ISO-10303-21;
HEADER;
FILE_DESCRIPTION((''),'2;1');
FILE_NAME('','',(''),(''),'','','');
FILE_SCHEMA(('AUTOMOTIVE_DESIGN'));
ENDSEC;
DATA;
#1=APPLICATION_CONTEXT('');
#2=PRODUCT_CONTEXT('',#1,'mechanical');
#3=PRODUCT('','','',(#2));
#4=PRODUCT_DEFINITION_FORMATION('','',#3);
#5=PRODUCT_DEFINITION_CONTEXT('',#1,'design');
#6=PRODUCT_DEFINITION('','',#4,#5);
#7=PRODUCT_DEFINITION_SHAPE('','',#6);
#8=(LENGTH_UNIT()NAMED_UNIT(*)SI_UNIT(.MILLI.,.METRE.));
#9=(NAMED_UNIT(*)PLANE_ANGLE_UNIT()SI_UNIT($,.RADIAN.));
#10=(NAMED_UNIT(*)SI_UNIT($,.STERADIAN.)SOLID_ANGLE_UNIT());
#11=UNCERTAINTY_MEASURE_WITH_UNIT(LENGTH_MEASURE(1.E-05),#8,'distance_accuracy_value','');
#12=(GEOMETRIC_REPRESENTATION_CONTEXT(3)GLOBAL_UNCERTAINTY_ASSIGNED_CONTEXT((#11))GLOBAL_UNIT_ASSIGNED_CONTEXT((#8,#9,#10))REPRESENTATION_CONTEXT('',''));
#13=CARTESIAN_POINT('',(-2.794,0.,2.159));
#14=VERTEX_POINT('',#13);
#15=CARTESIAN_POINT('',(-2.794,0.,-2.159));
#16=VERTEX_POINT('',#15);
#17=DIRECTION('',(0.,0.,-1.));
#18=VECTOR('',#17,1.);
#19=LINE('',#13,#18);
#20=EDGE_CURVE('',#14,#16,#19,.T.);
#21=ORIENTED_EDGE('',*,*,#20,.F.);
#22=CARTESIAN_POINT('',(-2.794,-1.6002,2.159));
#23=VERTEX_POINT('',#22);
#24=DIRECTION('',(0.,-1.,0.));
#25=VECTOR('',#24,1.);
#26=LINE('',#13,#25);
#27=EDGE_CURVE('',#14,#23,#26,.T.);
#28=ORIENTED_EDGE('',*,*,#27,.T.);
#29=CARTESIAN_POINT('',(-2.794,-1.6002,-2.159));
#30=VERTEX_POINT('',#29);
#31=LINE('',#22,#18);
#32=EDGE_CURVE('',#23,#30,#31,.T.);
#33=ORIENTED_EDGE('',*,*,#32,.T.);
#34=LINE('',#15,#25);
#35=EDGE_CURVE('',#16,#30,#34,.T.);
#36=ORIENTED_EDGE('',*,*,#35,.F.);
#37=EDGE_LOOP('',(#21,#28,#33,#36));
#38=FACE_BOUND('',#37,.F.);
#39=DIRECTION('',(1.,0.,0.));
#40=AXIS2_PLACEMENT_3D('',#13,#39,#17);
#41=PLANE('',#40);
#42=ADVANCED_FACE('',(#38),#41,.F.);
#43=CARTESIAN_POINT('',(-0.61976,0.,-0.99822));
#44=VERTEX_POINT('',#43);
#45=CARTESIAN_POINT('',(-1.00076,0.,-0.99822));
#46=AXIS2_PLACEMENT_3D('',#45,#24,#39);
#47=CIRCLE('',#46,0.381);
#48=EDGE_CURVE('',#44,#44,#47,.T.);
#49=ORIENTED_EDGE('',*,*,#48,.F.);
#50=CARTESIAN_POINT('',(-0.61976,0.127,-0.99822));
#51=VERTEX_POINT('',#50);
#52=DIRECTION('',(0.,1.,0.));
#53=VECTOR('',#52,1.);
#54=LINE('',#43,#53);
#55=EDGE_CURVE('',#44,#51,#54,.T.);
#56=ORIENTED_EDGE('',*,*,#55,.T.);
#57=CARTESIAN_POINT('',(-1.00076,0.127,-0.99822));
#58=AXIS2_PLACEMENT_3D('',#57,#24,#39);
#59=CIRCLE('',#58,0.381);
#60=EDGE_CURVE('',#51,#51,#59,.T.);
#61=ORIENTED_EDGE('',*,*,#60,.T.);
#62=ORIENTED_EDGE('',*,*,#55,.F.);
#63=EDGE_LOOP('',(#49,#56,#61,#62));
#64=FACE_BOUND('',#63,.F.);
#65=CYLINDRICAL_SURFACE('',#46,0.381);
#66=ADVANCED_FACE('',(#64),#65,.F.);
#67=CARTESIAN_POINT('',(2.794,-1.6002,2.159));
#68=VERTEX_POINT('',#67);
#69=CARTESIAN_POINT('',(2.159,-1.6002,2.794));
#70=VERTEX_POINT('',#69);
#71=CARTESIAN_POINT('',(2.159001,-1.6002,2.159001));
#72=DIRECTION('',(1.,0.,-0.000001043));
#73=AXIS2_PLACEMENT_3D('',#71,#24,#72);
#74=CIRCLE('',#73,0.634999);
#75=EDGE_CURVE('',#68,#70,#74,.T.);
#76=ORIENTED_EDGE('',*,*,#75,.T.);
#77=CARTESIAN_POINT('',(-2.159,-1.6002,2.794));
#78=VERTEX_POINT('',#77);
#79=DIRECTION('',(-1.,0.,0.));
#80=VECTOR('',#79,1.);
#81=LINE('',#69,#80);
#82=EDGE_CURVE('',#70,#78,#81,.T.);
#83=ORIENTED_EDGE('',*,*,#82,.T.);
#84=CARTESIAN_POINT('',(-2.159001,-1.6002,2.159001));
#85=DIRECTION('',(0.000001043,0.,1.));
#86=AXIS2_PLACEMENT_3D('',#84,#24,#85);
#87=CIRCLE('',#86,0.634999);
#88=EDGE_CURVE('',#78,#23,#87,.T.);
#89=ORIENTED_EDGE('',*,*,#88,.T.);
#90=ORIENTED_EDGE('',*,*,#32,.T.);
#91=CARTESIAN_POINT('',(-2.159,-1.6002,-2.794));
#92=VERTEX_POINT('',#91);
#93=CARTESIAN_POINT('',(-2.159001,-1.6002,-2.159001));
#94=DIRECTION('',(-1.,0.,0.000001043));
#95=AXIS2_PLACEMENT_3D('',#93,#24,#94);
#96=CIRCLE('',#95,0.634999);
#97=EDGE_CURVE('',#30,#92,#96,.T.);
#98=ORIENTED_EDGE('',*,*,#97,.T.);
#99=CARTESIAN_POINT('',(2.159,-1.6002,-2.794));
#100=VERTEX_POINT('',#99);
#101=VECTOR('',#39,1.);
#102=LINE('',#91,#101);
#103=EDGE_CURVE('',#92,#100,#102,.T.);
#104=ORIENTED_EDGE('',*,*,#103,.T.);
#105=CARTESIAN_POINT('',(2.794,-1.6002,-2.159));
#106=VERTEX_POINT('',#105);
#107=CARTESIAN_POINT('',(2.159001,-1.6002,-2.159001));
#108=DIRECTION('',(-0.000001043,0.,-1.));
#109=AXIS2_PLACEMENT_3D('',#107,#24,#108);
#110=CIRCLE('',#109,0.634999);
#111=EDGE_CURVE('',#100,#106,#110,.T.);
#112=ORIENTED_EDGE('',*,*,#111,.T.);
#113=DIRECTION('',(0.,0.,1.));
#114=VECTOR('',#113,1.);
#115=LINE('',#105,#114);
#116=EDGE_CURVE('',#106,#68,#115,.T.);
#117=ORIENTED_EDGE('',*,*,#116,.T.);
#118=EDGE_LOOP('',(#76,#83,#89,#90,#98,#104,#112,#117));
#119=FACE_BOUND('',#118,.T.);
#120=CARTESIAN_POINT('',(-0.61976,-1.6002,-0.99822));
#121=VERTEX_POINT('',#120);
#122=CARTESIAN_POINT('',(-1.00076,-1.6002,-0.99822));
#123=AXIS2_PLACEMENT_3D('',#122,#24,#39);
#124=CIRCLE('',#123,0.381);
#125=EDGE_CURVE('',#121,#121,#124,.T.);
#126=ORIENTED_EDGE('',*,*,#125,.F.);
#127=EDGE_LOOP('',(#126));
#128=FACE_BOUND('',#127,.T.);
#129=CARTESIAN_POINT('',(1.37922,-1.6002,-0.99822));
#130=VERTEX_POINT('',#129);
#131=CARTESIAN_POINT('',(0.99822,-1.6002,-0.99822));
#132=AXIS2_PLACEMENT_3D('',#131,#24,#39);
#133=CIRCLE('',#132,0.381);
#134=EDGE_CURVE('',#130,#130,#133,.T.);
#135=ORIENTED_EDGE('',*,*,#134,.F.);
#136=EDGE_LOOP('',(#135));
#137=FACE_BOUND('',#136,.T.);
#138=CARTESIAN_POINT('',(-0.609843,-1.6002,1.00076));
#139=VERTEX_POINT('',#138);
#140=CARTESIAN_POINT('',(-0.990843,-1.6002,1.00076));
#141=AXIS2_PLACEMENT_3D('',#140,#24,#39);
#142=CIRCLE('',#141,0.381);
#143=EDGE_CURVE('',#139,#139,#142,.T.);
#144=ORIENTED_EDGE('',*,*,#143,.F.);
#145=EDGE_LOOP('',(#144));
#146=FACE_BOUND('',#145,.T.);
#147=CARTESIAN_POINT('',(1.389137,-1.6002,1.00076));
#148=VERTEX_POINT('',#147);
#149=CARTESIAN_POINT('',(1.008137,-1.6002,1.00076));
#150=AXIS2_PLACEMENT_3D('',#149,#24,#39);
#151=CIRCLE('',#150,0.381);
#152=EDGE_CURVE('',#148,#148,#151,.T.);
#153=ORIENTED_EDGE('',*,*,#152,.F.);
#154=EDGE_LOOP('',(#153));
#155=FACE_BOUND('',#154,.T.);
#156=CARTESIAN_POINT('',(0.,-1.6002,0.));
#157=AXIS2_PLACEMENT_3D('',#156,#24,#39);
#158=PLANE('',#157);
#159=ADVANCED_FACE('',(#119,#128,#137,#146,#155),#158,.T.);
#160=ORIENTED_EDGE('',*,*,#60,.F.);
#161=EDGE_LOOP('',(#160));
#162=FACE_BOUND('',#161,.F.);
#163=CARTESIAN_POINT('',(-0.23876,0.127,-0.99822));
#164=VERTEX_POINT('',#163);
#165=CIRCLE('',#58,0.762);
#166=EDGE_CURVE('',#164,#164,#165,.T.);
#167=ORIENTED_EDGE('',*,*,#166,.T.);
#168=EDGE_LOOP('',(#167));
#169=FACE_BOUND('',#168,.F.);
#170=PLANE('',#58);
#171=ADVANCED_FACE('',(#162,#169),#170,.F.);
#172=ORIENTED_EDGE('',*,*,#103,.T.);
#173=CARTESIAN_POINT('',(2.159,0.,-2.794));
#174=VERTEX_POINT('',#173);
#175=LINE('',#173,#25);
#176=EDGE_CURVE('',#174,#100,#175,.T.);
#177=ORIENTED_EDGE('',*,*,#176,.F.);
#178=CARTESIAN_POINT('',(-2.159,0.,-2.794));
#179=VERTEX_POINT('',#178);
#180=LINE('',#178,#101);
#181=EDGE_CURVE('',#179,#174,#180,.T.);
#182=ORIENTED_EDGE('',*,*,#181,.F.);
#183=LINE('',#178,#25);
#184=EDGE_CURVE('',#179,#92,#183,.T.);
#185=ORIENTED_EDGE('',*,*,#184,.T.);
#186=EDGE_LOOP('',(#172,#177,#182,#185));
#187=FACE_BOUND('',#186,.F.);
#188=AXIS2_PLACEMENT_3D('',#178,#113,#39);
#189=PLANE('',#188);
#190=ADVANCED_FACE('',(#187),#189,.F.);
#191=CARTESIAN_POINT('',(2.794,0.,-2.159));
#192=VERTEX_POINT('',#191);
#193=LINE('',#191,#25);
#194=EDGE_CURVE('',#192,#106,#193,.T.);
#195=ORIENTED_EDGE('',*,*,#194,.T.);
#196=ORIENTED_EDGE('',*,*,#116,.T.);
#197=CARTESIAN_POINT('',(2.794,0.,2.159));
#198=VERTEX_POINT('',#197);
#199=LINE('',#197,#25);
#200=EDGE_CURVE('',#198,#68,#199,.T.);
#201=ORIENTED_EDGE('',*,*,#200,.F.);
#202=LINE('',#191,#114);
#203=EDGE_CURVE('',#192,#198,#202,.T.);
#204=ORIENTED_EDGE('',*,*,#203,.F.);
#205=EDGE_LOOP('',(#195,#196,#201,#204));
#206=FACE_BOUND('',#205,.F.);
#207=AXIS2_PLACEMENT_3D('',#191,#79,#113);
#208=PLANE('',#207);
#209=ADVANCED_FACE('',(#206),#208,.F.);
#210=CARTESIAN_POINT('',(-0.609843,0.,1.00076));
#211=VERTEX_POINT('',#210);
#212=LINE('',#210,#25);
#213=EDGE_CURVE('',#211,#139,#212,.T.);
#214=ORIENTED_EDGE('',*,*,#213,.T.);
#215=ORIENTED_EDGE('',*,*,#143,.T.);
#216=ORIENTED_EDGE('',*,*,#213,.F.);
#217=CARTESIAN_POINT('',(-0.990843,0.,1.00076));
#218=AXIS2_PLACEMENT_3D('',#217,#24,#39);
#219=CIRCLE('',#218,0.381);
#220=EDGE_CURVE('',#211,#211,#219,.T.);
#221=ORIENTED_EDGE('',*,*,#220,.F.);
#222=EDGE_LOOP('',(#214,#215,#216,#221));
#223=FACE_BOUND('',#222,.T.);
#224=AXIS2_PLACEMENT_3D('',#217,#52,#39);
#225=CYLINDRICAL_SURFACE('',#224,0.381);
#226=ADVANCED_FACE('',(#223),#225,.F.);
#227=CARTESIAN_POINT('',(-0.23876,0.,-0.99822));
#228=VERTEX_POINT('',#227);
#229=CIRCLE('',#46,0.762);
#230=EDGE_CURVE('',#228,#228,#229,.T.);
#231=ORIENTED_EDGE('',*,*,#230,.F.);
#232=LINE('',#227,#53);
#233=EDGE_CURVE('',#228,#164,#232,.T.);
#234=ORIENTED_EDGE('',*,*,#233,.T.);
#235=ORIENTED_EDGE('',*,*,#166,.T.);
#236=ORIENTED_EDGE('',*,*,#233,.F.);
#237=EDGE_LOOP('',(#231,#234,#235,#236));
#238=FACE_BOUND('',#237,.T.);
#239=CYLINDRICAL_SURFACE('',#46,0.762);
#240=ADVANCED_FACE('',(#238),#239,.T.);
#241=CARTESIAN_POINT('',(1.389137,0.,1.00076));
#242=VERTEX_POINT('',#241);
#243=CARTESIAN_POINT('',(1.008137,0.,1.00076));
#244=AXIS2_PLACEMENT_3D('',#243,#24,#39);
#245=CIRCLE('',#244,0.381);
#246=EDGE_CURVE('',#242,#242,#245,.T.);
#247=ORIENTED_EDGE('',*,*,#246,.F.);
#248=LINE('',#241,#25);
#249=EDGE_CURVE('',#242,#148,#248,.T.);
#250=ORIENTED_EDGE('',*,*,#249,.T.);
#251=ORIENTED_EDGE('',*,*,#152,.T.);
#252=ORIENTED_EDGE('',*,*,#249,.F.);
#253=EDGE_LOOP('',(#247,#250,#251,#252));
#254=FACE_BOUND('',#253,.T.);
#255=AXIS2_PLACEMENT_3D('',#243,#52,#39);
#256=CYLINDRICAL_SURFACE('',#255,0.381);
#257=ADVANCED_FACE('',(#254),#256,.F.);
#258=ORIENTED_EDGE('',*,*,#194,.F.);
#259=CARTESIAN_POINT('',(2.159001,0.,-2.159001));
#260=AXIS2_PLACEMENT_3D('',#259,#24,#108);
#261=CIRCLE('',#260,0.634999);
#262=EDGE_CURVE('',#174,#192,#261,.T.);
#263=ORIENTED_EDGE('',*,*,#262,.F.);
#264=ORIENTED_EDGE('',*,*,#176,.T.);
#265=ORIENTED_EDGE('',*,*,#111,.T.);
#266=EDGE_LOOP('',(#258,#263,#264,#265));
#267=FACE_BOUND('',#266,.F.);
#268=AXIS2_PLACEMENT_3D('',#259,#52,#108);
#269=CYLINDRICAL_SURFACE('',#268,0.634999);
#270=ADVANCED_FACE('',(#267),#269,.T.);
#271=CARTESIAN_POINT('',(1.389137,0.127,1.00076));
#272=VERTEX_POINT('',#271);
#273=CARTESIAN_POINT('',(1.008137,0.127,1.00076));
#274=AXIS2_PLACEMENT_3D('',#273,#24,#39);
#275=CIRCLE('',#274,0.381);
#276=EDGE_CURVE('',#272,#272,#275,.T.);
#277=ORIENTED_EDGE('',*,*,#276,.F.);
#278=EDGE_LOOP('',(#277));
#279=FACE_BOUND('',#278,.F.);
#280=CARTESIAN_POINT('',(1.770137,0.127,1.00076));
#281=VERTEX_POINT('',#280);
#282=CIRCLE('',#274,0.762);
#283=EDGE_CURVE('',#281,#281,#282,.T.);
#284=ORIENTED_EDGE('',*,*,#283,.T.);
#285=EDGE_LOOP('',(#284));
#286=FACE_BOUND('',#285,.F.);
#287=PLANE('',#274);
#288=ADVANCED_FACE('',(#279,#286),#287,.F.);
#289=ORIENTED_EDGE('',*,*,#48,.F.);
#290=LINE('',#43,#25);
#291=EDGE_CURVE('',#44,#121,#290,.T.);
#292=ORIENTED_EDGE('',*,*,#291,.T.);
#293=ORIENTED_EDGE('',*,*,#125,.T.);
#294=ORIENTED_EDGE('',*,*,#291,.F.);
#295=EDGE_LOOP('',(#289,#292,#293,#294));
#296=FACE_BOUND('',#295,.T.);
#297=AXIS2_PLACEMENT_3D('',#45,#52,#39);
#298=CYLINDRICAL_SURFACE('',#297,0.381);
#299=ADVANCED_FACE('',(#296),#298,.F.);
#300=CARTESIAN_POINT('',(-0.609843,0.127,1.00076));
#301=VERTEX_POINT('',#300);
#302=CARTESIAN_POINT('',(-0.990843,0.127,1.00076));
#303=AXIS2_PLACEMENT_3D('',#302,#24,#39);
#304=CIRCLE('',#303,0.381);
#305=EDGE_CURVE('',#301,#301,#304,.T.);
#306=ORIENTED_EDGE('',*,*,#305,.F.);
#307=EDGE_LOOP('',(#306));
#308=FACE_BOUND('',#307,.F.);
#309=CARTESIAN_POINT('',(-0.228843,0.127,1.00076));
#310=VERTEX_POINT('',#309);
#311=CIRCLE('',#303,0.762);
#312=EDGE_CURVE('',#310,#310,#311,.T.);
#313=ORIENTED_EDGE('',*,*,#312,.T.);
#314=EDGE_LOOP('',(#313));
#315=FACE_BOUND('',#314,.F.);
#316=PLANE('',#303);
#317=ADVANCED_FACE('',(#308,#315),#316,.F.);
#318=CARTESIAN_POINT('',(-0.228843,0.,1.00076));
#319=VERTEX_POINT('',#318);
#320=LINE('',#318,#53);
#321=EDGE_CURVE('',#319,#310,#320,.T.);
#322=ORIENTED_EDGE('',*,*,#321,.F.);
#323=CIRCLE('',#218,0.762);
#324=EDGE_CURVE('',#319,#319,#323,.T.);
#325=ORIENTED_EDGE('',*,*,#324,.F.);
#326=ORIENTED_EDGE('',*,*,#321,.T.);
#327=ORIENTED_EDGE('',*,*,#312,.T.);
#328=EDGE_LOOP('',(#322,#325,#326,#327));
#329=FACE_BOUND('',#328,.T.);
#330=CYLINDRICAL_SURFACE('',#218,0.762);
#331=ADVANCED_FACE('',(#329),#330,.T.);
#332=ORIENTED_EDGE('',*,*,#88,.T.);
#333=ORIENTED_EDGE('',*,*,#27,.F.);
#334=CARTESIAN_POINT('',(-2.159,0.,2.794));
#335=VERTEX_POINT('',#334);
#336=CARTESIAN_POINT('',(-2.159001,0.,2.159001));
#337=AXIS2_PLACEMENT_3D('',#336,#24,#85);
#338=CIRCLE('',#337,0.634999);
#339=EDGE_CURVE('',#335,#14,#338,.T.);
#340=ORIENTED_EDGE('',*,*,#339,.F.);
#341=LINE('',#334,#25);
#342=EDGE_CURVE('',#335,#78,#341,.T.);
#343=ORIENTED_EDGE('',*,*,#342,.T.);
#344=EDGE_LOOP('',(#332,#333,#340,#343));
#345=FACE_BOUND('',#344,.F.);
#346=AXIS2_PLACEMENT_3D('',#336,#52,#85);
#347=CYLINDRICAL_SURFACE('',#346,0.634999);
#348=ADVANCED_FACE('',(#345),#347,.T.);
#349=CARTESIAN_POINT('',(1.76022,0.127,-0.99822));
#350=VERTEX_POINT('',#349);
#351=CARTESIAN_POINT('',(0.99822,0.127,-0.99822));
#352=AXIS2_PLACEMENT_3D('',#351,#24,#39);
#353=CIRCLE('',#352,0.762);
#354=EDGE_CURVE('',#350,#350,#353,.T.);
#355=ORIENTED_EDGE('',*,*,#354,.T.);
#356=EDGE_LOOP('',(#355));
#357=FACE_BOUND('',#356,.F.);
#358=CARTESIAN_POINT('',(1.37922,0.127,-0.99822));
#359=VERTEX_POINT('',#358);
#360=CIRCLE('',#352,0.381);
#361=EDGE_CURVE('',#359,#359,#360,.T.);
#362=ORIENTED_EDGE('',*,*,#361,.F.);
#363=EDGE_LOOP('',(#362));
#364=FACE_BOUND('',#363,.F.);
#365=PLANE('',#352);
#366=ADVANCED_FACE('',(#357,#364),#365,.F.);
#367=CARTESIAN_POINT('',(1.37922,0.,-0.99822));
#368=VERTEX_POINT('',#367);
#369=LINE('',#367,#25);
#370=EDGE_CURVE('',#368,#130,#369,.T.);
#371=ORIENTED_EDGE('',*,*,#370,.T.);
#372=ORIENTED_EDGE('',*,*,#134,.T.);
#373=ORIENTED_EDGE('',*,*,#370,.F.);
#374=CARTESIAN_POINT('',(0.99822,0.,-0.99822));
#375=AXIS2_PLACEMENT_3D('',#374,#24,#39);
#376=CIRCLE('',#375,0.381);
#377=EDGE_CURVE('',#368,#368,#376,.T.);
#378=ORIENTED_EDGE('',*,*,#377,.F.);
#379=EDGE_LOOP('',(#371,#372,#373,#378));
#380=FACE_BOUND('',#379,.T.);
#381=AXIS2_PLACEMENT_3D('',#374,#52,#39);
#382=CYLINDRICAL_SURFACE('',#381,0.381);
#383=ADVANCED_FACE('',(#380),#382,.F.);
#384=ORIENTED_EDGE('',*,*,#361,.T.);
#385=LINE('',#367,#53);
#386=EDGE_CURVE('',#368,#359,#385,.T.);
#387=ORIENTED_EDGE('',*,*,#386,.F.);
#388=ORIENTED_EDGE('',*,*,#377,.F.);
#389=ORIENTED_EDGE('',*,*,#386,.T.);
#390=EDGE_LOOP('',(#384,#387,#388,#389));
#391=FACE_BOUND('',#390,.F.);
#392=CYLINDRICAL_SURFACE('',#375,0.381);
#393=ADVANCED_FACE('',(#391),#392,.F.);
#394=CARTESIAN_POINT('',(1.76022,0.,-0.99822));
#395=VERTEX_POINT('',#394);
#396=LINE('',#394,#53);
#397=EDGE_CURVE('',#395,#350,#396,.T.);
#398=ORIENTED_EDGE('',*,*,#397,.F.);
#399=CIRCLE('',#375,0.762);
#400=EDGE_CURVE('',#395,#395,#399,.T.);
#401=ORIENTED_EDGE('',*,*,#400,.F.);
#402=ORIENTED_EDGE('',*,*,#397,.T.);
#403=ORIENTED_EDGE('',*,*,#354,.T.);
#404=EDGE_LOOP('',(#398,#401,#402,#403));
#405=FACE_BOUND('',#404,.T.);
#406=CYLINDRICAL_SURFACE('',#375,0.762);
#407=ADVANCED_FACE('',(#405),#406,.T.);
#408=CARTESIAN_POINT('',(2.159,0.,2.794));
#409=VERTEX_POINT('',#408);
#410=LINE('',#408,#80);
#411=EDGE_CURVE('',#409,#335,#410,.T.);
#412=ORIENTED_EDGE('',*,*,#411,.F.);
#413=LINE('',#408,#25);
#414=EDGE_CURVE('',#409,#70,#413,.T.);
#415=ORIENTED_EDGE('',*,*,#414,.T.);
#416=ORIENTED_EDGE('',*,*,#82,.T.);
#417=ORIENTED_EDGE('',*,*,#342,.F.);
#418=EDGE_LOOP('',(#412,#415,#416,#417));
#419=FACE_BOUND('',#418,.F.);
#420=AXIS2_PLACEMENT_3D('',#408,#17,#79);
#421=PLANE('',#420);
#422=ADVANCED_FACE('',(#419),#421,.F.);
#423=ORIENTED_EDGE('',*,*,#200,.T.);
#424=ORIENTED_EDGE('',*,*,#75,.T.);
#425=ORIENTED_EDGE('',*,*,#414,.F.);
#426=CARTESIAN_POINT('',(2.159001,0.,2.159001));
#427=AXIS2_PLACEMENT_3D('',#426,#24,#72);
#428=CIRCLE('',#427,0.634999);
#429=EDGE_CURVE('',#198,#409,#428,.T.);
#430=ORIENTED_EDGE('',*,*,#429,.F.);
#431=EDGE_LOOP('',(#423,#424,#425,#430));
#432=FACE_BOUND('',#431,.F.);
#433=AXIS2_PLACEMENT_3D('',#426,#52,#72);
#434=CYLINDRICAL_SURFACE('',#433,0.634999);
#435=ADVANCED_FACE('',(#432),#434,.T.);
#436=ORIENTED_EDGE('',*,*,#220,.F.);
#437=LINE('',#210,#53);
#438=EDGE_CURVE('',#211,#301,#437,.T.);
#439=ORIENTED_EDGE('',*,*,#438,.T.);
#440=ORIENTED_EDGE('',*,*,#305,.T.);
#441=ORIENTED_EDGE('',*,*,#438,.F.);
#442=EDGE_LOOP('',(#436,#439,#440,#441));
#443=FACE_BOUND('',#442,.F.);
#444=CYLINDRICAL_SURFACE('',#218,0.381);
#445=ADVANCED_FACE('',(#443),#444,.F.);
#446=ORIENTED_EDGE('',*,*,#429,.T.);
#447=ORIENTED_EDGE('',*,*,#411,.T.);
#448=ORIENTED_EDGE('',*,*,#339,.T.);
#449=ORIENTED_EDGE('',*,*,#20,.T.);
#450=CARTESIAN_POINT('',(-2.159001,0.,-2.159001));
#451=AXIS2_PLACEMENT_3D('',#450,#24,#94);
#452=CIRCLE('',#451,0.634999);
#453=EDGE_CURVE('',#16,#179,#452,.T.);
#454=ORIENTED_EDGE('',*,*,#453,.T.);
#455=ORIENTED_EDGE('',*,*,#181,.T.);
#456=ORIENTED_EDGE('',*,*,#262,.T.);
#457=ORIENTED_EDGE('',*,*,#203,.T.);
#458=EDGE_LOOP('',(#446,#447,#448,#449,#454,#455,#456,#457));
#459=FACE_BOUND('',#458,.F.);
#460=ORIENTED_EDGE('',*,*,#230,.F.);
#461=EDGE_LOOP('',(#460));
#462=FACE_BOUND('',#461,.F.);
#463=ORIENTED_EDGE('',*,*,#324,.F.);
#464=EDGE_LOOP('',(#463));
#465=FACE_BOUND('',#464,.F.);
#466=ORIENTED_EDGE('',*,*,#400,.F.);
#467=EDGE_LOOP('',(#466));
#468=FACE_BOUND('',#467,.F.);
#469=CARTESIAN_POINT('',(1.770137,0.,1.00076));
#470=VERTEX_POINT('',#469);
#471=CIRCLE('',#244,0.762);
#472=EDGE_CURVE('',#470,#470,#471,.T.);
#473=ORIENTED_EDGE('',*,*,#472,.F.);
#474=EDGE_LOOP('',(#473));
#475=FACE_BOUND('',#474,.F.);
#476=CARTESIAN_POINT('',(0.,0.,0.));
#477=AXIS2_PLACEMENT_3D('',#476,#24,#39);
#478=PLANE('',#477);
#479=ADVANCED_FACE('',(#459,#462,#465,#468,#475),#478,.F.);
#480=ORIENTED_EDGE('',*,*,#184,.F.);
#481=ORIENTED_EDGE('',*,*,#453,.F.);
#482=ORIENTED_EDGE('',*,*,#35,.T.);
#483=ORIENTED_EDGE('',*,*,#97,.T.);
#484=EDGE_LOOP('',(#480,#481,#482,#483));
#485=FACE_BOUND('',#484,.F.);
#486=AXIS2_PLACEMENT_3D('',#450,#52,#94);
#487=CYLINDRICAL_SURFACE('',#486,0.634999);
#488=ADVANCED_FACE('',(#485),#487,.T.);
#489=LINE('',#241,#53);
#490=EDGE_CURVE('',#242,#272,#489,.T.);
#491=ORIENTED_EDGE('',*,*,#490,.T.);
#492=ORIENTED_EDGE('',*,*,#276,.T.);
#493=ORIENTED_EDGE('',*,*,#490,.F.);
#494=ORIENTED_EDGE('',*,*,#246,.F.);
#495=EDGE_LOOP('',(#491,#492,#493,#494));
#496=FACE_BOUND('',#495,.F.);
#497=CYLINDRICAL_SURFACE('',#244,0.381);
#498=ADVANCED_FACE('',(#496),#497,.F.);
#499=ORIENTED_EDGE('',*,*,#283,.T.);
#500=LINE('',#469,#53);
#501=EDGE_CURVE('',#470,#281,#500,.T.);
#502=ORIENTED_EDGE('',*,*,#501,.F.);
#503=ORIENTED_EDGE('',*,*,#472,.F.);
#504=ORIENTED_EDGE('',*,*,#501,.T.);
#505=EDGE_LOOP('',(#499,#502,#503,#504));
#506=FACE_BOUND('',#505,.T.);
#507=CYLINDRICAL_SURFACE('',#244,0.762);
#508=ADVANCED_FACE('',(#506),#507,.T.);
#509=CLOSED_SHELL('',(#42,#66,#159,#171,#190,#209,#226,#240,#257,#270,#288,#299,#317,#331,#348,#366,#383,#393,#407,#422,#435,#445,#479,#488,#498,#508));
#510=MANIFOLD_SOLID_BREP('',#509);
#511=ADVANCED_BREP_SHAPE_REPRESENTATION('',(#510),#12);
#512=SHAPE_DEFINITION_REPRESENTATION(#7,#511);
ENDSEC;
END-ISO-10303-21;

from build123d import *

# Parameters (mm, degrees)
F0_R     = 0.762
F0_R_2   = 0.381
F1_DEPTH = 1.6002
F2_DEPTH = 0.127


with BuildPart() as f1:
    # F0 (on Front) → F1 (new body)
    with BuildSketch(Plane.XZ):
        with BuildLine():
            Line((-2.159, -2.794), (2.159, -2.794))
            ThreePointArc((2.159, -2.794), (2.608013, -2.608013), (2.794, -2.159))
            Line((2.794, -2.159), (2.794, 2.159))
            ThreePointArc((2.794, 2.159), (2.608013, 2.608013), (2.159, 2.794))
            Line((2.159, 2.794), (-2.159, 2.794))
            ThreePointArc((-2.159, 2.794), (-2.608013, 2.608013), (-2.794, 2.159))
            Line((-2.794, 2.159), (-2.794, -2.159))
            ThreePointArc((-2.794, -2.159), (-2.608013, -2.608013), (-2.159, -2.794))
        make_face()
        with Locations((-1.00076, -0.99822)):
            Circle(F0_R, mode=Mode.SUBTRACT)
        with Locations((0.99822, -0.99822)):
            Circle(F0_R, mode=Mode.SUBTRACT)
        with Locations((-0.990843, 1.00076)):
            Circle(F0_R, mode=Mode.SUBTRACT)
        with Locations((1.008137, 1.00076)):
            Circle(F0_R, mode=Mode.SUBTRACT)
        with Locations((-0.990843, 1.00076)):
            Circle(F0_R)
        with Locations((-0.990843, 1.00076)):
            Circle(F0_R_2, mode=Mode.SUBTRACT)
        with Locations((1.008137, 1.00076)):
            Circle(F0_R)
        with Locations((1.008137, 1.00076)):
            Circle(F0_R_2, mode=Mode.SUBTRACT)
        with Locations((0.99822, -0.99822)):
            Circle(F0_R)
        with Locations((0.99822, -0.99822)):
            Circle(F0_R_2, mode=Mode.SUBTRACT)
        with Locations((-1.00076, -0.99822)):
            Circle(F0_R)
        with Locations((-1.00076, -0.99822)):
            Circle(F0_R_2, mode=Mode.SUBTRACT)
    extrude(amount=F1_DEPTH)

    # F0 (on Front) → F2 (join)
    with BuildSketch(Plane.XZ):
        with Locations((1.008137, 1.00076)):
            Circle(F0_R)
        with Locations((1.008137, 1.00076)):
            Circle(F0_R_2, mode=Mode.SUBTRACT)
        with Locations((0.99822, -0.99822)):
            Circle(F0_R)
        with Locations((0.99822, -0.99822)):
            Circle(F0_R_2, mode=Mode.SUBTRACT)
        with Locations((-1.00076, -0.99822)):
            Circle(F0_R)
        with Locations((-1.00076, -0.99822)):
            Circle(F0_R_2, mode=Mode.SUBTRACT)
        with Locations((-0.990843, 1.00076)):
            Circle(F0_R)
        with Locations((-0.990843, 1.00076)):
            Circle(F0_R_2, mode=Mode.SUBTRACT)
    extrude(amount=-F2_DEPTH)


solid = f1.part
